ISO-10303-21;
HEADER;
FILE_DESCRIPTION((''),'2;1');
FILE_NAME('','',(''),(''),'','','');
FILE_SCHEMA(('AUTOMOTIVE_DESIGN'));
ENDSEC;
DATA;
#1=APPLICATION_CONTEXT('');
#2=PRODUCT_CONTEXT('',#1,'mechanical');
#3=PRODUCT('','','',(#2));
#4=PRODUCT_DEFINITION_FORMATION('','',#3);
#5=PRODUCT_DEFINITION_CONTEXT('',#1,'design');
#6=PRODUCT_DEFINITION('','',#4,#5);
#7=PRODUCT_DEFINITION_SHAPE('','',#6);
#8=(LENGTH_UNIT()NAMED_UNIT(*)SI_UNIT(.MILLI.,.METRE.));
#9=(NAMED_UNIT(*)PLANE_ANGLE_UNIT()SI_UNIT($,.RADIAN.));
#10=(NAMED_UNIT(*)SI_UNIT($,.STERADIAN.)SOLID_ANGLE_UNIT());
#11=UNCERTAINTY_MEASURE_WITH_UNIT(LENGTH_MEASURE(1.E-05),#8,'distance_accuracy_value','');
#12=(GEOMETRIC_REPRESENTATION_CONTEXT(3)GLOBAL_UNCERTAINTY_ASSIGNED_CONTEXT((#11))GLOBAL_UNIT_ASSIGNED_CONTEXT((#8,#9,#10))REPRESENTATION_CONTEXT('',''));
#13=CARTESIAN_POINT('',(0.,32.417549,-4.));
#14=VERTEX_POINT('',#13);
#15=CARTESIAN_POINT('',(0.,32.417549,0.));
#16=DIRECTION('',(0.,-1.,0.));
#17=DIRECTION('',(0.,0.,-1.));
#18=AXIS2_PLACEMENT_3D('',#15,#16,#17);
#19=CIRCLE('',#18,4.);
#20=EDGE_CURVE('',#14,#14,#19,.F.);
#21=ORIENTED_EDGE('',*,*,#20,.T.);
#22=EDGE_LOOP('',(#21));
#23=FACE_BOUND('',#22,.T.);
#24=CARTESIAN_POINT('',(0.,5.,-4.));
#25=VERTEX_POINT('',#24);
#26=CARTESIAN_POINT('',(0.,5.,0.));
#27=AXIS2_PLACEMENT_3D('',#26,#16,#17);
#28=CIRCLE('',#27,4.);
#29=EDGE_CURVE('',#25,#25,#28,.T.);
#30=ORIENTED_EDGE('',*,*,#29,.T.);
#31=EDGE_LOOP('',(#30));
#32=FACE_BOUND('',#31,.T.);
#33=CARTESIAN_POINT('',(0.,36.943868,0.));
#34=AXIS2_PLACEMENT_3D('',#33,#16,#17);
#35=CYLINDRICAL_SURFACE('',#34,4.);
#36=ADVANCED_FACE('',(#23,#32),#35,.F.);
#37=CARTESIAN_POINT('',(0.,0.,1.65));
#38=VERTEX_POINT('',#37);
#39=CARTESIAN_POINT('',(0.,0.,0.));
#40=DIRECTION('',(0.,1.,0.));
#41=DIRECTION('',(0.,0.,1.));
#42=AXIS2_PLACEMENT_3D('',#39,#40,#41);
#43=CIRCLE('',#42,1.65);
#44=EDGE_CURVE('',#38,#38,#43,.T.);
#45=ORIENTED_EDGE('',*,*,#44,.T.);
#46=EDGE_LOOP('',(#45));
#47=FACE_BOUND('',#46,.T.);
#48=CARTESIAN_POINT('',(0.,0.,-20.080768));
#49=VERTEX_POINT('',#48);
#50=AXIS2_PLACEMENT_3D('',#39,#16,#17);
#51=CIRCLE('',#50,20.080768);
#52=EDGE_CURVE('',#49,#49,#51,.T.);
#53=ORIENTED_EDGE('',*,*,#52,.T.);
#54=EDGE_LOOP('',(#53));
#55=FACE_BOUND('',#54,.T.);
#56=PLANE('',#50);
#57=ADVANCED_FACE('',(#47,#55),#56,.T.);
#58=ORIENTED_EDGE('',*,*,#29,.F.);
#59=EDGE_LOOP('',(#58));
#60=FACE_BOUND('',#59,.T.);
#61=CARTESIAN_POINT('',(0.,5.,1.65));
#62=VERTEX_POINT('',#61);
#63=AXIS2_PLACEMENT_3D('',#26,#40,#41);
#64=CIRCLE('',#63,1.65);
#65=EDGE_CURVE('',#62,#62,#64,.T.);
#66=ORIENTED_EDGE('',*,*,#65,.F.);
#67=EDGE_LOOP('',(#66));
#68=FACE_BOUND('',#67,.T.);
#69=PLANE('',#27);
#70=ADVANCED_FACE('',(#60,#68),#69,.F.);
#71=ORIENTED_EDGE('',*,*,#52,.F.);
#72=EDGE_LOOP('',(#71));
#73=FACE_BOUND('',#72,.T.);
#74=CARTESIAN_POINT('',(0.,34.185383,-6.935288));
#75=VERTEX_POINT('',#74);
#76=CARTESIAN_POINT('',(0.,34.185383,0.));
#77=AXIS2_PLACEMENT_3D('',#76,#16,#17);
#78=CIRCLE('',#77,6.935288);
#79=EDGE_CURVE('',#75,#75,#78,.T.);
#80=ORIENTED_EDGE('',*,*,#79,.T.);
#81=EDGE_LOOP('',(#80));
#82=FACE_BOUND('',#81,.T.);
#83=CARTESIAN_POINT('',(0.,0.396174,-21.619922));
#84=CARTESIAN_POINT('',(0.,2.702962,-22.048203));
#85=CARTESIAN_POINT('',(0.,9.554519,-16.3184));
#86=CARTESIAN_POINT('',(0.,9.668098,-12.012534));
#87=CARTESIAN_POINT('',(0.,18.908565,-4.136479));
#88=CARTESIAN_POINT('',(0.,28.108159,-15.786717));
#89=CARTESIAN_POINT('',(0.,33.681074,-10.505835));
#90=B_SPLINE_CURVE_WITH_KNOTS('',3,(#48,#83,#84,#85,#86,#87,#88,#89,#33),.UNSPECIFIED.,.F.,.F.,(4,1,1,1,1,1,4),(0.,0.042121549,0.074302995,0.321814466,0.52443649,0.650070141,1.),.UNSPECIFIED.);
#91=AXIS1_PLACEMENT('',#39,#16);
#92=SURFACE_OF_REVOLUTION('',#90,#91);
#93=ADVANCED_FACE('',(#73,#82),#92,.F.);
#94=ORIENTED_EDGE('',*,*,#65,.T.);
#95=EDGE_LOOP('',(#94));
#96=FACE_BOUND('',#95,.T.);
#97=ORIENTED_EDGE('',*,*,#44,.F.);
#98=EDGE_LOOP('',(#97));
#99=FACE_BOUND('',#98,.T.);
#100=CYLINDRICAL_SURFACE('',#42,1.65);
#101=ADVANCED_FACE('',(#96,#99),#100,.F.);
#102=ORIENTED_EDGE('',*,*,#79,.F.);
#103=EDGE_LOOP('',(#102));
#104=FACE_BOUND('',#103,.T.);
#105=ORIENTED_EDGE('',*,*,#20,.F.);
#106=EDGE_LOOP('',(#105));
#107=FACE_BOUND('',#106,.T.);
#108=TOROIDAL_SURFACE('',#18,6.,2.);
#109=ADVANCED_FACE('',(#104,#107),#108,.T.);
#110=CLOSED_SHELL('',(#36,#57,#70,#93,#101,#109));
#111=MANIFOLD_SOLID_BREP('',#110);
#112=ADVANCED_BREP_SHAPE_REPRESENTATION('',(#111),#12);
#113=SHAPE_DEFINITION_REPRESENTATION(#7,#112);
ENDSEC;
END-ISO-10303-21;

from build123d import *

# Parameters (mm, degrees)
SKETCH_3_R          = 4
CUT_EXTRUDE_1_DEPTH = 45.263110341
SKETCH_4_R          = 1.65
CUT_EXTRUDE_2_DEPTH = 44.256539845
FILLET_1_R          = 2


with BuildPart() as part:
    # 草图2 → 旋转1 (revolve)
    with BuildSketch(Plane(origin=(0, 0, 0), x_dir=(0, 0, -1), z_dir=(1, 0, 0))):
        with BuildLine():
            Line((0, 0), (0, 36.9438678))
            add(Edge.make_bspline(
                [(20.080767887, 0), (21.61992217, 0.396173772), (22.048203388, 2.702962278), (16.318399942, 9.554519138), (12.012534144, 9.668097732), (4.136478654, 18.908564942), (15.786716848, 28.108159005), (10.505835273, 33.681074023), (0, 36.9438678)],
                knots=[0, 0, 0, 0, 0.042121549, 0.074302995, 0.321814466, 0.52443649, 0.650070141, 1, 1, 1, 1], degree=3))
            Line((20.080767887, 0), (0, 0))
        make_face()
    revolve(axis=Axis((0, 0, 0), (0, 1, 0)))

    # 草图3 → 切除-拉伸1 (cut, through all)
    with BuildSketch(Plane(origin=(0, 5, 0), x_dir=(-1, 0, 0), z_dir=(0, -1, 0))):
        with Locations(Location((0, 0, 0), (0, 0, 90))):
            Circle(SKETCH_3_R)
    extrude(amount=-CUT_EXTRUDE_1_DEPTH, mode=Mode.SUBTRACT)

    # 草图4 → 切除-拉伸2 (cut, through all)
    with BuildSketch(Plane(origin=(0, 5, 0), x_dir=(1, 0, 0), z_dir=(0, 1, 0))):
        with Locations(Location((0, 0, 0), (0, 0, 270))):
            Circle(SKETCH_4_R)
    extrude(amount=-CUT_EXTRUDE_2_DEPTH, mode=Mode.SUBTRACT)

    # 圆角1
    fillet_1_edges = [part.edges().sort_by_distance(p)[0] for p in [
        (1e-09, 35.533849947, 4),
    ]]
    fillet(fillet_1_edges, radius=FILLET_1_R)


solid = part.part
